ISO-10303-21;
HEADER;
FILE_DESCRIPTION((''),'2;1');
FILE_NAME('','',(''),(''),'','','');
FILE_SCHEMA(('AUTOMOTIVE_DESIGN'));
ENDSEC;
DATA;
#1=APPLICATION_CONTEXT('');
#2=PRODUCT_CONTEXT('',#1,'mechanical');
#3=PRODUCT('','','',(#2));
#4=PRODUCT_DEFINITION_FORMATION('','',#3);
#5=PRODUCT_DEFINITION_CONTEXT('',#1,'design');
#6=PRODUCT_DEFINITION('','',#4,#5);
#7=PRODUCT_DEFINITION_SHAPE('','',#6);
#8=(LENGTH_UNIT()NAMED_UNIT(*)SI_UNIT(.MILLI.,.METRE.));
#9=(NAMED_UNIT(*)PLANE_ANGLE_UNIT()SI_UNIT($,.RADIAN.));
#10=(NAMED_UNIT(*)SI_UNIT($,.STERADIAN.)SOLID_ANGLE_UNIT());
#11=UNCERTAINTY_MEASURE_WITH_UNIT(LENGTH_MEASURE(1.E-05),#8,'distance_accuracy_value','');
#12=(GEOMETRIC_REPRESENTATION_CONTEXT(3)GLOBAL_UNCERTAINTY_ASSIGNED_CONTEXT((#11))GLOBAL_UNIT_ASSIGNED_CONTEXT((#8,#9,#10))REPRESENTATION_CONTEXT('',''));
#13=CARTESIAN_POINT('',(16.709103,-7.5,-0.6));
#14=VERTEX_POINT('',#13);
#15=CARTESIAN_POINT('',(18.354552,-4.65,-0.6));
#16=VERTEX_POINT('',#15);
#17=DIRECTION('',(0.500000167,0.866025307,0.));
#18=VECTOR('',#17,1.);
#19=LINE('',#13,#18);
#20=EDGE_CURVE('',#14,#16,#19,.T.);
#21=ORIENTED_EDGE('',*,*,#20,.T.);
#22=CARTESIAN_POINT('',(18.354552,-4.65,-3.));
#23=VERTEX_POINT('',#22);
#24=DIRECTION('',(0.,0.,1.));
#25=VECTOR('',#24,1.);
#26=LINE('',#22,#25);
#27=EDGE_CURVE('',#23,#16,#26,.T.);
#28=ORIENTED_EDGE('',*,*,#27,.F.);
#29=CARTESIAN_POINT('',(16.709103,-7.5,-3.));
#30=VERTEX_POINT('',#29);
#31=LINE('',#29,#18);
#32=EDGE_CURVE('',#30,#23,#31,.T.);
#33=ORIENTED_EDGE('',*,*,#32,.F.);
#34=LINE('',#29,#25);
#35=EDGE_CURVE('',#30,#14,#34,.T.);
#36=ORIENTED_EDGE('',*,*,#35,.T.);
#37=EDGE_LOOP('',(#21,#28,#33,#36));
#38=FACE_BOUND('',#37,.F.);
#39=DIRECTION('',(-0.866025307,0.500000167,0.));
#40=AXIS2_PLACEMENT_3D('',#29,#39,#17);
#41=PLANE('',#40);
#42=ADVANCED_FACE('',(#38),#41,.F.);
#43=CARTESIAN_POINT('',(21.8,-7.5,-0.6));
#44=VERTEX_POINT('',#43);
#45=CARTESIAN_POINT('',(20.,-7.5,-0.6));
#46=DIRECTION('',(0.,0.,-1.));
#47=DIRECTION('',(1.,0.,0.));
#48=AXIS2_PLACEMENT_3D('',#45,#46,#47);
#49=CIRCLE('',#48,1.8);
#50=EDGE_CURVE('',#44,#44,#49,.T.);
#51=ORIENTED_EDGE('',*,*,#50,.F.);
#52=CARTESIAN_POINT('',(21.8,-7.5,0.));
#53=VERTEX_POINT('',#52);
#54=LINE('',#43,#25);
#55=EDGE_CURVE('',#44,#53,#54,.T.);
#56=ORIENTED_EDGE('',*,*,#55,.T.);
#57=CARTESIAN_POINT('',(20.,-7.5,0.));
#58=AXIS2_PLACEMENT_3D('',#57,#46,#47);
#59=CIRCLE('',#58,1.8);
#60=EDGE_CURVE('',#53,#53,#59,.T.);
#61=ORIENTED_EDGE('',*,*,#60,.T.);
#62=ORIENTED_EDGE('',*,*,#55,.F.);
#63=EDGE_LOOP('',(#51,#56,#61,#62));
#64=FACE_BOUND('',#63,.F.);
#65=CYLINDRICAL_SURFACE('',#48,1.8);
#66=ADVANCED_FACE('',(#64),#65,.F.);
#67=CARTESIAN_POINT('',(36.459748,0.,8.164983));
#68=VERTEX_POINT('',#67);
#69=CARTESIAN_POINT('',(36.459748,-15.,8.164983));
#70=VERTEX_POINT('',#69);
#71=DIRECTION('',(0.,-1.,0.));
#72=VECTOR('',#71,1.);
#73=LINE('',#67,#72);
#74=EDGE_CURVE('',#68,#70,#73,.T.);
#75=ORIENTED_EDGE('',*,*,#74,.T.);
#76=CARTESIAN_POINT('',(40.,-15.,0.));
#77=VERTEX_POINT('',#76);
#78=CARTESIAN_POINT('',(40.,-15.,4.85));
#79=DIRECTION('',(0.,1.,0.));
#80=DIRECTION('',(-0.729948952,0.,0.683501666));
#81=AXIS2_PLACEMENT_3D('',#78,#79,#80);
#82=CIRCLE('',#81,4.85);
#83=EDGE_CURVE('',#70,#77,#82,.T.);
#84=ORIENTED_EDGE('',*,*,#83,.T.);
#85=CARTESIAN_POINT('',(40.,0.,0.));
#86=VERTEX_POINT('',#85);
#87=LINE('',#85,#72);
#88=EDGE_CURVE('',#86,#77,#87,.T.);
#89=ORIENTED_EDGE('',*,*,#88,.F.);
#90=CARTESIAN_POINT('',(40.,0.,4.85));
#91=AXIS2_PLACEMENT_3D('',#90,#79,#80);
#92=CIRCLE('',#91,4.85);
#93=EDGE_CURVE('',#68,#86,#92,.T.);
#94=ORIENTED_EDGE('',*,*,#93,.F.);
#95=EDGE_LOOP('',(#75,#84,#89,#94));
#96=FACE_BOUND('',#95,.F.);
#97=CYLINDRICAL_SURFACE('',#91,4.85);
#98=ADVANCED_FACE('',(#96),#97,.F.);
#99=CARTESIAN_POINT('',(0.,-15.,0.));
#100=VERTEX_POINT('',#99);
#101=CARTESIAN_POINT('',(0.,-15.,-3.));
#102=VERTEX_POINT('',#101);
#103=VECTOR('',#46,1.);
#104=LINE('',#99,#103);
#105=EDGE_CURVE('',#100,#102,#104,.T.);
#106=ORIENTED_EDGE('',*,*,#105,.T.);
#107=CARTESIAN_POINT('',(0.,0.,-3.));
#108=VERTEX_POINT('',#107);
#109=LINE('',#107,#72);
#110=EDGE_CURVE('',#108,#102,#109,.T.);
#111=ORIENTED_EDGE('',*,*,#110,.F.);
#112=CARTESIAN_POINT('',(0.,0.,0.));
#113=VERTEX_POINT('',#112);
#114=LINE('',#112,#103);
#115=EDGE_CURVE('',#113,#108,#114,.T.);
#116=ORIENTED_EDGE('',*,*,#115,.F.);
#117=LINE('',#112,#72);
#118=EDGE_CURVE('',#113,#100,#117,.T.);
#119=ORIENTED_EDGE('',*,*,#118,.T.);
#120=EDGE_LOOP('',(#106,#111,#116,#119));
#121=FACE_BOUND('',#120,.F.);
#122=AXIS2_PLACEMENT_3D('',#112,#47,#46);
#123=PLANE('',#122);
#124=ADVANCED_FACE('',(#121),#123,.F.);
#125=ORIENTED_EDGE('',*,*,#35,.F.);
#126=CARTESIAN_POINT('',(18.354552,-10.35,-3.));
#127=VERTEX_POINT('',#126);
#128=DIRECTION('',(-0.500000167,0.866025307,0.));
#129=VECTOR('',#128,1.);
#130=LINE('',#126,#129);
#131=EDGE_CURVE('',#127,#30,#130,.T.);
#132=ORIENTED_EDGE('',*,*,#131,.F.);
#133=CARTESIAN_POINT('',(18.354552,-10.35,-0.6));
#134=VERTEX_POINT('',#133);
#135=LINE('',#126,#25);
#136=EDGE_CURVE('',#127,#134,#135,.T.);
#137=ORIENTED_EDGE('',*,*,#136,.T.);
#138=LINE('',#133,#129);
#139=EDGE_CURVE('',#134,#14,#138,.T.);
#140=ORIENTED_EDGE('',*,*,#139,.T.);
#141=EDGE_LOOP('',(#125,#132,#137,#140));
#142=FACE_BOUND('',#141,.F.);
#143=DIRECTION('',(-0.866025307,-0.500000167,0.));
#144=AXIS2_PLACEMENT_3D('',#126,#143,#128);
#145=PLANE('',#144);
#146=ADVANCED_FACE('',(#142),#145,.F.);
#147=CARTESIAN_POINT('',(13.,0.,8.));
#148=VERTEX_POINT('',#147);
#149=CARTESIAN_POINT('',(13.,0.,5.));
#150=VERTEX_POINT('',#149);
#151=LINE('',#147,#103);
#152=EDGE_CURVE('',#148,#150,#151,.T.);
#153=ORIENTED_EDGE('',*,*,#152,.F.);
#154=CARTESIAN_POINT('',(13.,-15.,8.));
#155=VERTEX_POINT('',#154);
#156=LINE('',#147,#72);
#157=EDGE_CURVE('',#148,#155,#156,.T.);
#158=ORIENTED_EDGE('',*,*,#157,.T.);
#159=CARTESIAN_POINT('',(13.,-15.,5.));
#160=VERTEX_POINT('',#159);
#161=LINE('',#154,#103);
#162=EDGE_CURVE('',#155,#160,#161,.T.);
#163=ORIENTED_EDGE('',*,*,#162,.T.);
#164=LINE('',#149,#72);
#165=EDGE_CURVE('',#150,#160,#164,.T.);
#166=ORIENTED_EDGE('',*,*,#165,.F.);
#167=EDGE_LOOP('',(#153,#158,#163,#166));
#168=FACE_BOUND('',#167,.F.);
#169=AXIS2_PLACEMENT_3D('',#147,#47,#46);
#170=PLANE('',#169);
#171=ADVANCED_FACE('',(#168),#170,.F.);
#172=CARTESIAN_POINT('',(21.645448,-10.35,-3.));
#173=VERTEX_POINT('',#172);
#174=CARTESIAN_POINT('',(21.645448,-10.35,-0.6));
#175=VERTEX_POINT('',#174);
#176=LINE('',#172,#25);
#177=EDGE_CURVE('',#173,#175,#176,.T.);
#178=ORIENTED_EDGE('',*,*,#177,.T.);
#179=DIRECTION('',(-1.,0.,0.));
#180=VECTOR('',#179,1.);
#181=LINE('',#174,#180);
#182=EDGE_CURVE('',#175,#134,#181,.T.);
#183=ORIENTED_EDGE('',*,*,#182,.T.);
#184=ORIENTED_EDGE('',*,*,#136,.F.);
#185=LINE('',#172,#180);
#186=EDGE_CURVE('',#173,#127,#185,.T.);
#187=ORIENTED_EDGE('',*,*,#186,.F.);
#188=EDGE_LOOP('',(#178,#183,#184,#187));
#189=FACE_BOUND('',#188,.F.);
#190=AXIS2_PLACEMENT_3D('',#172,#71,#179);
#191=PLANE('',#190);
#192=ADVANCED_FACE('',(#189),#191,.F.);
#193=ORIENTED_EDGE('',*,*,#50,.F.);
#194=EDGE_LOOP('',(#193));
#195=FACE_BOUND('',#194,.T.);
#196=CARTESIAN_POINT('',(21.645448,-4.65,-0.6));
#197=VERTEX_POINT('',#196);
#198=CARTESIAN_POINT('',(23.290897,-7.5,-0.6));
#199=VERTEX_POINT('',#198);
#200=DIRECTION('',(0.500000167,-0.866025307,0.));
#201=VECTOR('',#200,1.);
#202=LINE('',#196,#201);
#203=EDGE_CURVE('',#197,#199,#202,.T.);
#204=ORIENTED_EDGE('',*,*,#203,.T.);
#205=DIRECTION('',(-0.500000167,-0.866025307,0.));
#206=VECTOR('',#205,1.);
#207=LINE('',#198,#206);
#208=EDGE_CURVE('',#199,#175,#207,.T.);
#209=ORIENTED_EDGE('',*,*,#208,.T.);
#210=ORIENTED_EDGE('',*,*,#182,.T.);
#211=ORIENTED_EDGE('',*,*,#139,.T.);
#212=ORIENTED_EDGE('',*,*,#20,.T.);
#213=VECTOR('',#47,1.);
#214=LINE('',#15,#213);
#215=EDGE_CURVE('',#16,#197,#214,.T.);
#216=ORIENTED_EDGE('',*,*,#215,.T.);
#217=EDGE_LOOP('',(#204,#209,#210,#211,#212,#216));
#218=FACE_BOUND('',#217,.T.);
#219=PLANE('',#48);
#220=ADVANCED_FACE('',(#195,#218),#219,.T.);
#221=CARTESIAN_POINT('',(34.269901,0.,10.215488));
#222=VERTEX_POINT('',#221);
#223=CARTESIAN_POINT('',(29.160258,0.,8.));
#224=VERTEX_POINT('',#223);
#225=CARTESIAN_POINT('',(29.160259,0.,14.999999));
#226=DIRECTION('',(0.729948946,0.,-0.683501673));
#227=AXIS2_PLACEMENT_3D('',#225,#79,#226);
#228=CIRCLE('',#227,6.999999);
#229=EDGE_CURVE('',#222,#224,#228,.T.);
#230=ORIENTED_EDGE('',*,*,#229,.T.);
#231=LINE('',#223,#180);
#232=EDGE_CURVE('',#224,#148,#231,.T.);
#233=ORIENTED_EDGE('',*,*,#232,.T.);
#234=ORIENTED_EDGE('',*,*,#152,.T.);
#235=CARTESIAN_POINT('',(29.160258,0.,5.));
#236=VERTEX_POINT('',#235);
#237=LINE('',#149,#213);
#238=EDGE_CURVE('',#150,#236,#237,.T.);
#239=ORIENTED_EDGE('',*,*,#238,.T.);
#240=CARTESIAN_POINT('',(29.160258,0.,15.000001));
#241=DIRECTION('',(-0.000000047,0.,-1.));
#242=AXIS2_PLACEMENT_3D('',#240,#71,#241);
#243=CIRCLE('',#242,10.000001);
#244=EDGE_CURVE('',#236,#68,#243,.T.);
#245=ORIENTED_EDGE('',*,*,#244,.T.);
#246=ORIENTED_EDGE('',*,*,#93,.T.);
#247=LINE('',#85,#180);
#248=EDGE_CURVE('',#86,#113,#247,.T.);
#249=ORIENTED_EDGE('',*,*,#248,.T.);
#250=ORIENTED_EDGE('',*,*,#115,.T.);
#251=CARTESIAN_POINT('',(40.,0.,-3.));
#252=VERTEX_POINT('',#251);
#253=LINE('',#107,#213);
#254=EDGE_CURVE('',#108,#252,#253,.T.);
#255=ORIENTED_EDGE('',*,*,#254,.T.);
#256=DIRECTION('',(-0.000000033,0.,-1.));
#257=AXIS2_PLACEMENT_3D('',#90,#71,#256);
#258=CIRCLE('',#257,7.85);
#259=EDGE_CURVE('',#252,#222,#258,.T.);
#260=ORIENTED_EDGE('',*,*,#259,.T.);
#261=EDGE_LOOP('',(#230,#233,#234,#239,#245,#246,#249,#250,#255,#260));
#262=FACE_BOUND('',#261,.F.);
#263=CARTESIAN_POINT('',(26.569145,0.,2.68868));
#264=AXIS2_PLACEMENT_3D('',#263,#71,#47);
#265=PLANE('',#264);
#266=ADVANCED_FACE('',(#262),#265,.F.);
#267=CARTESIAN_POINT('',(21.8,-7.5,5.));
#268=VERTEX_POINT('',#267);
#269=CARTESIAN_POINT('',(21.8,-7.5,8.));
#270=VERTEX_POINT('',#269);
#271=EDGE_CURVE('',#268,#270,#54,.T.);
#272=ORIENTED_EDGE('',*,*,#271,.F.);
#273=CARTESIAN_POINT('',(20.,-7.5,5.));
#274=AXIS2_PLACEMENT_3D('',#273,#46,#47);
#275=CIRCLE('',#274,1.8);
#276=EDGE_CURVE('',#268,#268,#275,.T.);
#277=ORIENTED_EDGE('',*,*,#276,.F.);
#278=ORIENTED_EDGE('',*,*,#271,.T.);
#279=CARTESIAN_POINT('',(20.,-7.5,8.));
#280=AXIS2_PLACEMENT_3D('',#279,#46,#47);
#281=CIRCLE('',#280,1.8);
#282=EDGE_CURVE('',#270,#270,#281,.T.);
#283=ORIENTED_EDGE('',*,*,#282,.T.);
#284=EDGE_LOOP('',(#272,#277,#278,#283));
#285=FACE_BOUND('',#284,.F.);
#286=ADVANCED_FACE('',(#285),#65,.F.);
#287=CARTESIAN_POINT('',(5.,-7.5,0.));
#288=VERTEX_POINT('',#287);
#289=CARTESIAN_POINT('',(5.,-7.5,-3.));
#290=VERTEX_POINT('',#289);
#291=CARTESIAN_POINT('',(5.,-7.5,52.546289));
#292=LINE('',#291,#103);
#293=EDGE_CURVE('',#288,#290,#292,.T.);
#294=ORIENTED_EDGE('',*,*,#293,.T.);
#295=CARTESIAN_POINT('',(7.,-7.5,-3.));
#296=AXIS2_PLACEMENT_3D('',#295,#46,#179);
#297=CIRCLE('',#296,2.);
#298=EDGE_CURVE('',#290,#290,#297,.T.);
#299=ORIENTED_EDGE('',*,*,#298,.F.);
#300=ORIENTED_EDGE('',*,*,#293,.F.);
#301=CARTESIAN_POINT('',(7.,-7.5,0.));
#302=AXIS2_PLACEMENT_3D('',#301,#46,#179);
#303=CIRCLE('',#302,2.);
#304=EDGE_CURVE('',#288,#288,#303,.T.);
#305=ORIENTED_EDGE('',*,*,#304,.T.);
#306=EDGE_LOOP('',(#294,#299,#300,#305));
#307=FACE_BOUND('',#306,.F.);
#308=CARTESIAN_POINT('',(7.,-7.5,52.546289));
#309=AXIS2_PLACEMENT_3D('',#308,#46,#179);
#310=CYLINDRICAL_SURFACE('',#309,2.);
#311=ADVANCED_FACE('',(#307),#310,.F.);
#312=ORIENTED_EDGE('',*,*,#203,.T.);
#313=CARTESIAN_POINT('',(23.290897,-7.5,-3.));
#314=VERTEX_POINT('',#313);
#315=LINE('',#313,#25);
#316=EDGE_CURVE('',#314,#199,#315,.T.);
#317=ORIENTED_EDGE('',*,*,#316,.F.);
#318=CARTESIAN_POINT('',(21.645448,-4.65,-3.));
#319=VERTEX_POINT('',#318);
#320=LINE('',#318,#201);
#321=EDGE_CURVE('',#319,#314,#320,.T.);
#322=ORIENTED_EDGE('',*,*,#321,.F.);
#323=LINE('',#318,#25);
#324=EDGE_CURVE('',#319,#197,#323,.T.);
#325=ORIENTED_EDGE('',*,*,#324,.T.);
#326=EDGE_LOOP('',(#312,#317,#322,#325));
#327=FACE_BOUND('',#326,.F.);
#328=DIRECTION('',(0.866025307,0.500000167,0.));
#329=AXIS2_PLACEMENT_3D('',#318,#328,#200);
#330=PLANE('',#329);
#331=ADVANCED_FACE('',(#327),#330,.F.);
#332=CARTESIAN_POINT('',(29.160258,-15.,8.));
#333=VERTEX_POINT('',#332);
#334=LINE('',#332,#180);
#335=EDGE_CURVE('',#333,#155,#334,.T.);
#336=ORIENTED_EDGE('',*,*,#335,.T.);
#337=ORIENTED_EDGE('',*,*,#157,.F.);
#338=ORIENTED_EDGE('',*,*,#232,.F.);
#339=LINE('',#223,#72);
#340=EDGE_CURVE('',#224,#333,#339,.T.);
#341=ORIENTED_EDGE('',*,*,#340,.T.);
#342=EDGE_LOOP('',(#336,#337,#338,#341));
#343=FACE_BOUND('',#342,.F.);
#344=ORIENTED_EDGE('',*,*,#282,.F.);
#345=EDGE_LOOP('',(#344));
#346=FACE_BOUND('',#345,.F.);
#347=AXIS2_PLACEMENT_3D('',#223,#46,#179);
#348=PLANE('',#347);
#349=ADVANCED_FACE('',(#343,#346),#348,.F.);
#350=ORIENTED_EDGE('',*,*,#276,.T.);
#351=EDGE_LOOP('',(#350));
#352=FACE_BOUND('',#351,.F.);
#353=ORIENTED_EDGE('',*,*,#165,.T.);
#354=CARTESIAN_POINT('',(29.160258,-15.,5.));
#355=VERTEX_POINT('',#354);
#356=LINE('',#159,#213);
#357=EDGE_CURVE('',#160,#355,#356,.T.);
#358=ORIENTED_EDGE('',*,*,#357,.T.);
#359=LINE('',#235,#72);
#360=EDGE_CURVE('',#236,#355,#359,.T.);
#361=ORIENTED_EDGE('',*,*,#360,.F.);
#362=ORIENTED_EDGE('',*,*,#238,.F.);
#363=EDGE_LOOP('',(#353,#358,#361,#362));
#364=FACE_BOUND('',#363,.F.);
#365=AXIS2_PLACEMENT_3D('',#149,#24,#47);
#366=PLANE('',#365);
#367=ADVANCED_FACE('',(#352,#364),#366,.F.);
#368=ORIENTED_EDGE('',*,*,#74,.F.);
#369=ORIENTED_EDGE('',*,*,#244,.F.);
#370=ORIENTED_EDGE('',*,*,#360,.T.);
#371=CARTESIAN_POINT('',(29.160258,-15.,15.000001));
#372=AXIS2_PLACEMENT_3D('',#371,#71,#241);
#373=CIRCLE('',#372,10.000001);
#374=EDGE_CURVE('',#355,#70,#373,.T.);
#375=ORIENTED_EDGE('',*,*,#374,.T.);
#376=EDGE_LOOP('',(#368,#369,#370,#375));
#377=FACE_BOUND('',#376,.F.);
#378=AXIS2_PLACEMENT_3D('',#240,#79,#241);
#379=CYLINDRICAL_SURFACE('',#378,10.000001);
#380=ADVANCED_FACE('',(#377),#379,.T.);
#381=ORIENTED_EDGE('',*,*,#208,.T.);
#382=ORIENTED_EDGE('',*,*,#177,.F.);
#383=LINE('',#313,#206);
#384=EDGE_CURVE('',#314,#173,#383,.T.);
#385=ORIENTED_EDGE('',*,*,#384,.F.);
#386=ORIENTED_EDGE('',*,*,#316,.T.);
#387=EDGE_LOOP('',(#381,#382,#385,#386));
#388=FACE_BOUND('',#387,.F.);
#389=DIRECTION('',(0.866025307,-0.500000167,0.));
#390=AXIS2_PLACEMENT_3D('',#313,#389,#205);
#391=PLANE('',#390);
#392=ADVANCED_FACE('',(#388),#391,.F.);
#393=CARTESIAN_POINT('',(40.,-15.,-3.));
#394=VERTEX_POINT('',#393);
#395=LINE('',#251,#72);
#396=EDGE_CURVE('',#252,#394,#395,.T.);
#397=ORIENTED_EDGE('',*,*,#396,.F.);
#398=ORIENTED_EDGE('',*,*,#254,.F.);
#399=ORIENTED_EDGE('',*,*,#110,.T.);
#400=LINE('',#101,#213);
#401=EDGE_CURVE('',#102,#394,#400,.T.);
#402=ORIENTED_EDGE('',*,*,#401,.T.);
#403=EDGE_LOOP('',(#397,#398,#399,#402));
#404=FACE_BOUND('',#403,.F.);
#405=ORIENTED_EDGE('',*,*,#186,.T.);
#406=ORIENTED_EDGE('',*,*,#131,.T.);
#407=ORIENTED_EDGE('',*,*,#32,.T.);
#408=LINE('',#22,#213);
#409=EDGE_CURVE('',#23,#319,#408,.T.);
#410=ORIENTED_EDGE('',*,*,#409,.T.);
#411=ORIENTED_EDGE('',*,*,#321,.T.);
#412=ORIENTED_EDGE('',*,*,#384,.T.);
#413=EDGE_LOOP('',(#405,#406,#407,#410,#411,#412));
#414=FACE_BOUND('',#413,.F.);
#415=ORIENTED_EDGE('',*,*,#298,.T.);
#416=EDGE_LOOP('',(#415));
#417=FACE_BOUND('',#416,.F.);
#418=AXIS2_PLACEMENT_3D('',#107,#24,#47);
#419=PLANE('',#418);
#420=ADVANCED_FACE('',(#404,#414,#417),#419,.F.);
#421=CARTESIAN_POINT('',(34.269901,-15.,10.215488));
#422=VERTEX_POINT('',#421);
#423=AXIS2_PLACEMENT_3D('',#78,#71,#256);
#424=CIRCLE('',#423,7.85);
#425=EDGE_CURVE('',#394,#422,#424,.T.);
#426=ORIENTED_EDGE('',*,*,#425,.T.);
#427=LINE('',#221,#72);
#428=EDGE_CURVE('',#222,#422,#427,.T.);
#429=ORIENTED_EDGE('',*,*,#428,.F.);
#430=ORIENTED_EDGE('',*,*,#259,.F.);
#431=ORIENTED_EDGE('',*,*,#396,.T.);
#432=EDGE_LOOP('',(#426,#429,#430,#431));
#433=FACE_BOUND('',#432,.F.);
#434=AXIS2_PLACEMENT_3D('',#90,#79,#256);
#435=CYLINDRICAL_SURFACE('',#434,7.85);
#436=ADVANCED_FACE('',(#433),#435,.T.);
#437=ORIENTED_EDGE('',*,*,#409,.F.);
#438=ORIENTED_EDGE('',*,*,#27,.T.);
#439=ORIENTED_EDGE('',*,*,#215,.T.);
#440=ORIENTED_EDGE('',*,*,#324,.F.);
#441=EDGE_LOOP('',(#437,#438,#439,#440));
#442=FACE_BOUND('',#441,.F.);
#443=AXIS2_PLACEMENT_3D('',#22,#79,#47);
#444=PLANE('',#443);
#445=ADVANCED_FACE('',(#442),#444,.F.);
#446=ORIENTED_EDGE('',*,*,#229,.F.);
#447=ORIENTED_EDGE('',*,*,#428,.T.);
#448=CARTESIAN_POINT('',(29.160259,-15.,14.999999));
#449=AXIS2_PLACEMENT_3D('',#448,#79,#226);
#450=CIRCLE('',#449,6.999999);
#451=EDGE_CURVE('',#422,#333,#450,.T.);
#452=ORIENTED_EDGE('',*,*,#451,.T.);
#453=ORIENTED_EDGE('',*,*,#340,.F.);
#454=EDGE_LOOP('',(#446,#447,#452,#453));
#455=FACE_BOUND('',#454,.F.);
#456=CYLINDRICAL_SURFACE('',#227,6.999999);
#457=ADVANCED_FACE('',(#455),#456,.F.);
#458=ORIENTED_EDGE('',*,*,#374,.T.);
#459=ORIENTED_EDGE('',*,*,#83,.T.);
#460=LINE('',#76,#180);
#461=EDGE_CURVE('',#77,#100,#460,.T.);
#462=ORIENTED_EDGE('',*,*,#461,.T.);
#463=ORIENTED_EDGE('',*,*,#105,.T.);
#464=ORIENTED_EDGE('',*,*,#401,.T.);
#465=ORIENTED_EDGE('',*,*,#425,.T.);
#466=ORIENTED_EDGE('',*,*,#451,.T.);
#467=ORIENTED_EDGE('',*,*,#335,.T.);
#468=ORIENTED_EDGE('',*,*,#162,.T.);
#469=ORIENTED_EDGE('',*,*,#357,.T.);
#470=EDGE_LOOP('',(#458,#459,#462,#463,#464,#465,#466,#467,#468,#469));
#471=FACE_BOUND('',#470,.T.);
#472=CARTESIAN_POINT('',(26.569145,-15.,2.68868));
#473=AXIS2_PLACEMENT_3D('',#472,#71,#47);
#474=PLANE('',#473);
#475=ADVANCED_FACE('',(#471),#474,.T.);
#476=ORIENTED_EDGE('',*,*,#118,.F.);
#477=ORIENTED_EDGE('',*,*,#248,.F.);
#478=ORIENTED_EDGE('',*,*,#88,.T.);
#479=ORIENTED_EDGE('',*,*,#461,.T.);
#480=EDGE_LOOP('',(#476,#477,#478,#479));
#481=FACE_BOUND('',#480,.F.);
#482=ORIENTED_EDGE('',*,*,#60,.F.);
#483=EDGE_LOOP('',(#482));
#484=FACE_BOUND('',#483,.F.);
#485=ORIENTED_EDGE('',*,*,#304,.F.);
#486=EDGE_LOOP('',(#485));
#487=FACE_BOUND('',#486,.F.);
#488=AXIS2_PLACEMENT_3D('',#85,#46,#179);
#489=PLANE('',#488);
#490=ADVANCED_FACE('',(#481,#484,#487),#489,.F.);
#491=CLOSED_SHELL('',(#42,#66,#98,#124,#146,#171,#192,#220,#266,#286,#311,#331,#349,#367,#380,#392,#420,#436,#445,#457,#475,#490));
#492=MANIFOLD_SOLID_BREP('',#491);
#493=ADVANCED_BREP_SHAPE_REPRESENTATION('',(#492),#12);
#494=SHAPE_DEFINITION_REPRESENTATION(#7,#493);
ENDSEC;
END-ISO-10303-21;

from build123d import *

# Parameters (mm, degrees)
F1_DEPTH = 15
F3_DEPTH = 2.4
F4_R     = 1.8
F5_DEPTH = 13.301
F7_D     = 4


with BuildPart() as f1:
    # F0 (on Front) → F1 (new body)
    with BuildSketch(Plane.XZ):
        with BuildLine():
            Line((40, 0), (0, 0))
            Line((0, 0), (0, -3))
            Line((0, -3), (40, -3))
            ThreePointArc((40, -3), (47.202138, 7.972773), (34.269901, 10.215488))
            ThreePointArc((34.269901, 10.215488), (31.944896, 8.577711), (29.160258, 8))
            Line((29.160258, 8), (13, 8))
            Line((13, 8), (13, 5))
            Line((13, 5), (29.160258, 5))
            ThreePointArc((29.160258, 5), (33.138313, 5.825302), (36.459748, 8.164983))
            ThreePointArc((36.459748, 8.164983), (44.449729, 6.779356), (40, 0))
        make_face()
    extrude(amount=F1_DEPTH)

    # F2 (on face) → F3 (cut)
    with BuildSketch(Plane(origin=(0, 0, -3), x_dir=(1, 0, 0), z_dir=(0, 0, -1))):
        Polygon((21.645448, 10.35), (18.354552, 10.35), (16.709103, 7.5), (18.354552, 4.65), (21.645448, 4.65), (23.290897, 7.5), align=None)
    extrude(amount=-F3_DEPTH, mode=Mode.SUBTRACT)

    # F4 (on face) → F5 (cut, through all)
    with BuildSketch(Plane(origin=(0, 0, -0.6), x_dir=(1, 0, 0), z_dir=(0, 0, -1))):
        with Locations((20, 7.5)):
            Circle(F4_R)
    extrude(amount=-F5_DEPTH, mode=Mode.SUBTRACT)

    # F7 (through all)
    with Locations(Plane.XY):
        with Locations((7, -7.5)):
            Hole(F7_D / 2)


solid = f1.part
